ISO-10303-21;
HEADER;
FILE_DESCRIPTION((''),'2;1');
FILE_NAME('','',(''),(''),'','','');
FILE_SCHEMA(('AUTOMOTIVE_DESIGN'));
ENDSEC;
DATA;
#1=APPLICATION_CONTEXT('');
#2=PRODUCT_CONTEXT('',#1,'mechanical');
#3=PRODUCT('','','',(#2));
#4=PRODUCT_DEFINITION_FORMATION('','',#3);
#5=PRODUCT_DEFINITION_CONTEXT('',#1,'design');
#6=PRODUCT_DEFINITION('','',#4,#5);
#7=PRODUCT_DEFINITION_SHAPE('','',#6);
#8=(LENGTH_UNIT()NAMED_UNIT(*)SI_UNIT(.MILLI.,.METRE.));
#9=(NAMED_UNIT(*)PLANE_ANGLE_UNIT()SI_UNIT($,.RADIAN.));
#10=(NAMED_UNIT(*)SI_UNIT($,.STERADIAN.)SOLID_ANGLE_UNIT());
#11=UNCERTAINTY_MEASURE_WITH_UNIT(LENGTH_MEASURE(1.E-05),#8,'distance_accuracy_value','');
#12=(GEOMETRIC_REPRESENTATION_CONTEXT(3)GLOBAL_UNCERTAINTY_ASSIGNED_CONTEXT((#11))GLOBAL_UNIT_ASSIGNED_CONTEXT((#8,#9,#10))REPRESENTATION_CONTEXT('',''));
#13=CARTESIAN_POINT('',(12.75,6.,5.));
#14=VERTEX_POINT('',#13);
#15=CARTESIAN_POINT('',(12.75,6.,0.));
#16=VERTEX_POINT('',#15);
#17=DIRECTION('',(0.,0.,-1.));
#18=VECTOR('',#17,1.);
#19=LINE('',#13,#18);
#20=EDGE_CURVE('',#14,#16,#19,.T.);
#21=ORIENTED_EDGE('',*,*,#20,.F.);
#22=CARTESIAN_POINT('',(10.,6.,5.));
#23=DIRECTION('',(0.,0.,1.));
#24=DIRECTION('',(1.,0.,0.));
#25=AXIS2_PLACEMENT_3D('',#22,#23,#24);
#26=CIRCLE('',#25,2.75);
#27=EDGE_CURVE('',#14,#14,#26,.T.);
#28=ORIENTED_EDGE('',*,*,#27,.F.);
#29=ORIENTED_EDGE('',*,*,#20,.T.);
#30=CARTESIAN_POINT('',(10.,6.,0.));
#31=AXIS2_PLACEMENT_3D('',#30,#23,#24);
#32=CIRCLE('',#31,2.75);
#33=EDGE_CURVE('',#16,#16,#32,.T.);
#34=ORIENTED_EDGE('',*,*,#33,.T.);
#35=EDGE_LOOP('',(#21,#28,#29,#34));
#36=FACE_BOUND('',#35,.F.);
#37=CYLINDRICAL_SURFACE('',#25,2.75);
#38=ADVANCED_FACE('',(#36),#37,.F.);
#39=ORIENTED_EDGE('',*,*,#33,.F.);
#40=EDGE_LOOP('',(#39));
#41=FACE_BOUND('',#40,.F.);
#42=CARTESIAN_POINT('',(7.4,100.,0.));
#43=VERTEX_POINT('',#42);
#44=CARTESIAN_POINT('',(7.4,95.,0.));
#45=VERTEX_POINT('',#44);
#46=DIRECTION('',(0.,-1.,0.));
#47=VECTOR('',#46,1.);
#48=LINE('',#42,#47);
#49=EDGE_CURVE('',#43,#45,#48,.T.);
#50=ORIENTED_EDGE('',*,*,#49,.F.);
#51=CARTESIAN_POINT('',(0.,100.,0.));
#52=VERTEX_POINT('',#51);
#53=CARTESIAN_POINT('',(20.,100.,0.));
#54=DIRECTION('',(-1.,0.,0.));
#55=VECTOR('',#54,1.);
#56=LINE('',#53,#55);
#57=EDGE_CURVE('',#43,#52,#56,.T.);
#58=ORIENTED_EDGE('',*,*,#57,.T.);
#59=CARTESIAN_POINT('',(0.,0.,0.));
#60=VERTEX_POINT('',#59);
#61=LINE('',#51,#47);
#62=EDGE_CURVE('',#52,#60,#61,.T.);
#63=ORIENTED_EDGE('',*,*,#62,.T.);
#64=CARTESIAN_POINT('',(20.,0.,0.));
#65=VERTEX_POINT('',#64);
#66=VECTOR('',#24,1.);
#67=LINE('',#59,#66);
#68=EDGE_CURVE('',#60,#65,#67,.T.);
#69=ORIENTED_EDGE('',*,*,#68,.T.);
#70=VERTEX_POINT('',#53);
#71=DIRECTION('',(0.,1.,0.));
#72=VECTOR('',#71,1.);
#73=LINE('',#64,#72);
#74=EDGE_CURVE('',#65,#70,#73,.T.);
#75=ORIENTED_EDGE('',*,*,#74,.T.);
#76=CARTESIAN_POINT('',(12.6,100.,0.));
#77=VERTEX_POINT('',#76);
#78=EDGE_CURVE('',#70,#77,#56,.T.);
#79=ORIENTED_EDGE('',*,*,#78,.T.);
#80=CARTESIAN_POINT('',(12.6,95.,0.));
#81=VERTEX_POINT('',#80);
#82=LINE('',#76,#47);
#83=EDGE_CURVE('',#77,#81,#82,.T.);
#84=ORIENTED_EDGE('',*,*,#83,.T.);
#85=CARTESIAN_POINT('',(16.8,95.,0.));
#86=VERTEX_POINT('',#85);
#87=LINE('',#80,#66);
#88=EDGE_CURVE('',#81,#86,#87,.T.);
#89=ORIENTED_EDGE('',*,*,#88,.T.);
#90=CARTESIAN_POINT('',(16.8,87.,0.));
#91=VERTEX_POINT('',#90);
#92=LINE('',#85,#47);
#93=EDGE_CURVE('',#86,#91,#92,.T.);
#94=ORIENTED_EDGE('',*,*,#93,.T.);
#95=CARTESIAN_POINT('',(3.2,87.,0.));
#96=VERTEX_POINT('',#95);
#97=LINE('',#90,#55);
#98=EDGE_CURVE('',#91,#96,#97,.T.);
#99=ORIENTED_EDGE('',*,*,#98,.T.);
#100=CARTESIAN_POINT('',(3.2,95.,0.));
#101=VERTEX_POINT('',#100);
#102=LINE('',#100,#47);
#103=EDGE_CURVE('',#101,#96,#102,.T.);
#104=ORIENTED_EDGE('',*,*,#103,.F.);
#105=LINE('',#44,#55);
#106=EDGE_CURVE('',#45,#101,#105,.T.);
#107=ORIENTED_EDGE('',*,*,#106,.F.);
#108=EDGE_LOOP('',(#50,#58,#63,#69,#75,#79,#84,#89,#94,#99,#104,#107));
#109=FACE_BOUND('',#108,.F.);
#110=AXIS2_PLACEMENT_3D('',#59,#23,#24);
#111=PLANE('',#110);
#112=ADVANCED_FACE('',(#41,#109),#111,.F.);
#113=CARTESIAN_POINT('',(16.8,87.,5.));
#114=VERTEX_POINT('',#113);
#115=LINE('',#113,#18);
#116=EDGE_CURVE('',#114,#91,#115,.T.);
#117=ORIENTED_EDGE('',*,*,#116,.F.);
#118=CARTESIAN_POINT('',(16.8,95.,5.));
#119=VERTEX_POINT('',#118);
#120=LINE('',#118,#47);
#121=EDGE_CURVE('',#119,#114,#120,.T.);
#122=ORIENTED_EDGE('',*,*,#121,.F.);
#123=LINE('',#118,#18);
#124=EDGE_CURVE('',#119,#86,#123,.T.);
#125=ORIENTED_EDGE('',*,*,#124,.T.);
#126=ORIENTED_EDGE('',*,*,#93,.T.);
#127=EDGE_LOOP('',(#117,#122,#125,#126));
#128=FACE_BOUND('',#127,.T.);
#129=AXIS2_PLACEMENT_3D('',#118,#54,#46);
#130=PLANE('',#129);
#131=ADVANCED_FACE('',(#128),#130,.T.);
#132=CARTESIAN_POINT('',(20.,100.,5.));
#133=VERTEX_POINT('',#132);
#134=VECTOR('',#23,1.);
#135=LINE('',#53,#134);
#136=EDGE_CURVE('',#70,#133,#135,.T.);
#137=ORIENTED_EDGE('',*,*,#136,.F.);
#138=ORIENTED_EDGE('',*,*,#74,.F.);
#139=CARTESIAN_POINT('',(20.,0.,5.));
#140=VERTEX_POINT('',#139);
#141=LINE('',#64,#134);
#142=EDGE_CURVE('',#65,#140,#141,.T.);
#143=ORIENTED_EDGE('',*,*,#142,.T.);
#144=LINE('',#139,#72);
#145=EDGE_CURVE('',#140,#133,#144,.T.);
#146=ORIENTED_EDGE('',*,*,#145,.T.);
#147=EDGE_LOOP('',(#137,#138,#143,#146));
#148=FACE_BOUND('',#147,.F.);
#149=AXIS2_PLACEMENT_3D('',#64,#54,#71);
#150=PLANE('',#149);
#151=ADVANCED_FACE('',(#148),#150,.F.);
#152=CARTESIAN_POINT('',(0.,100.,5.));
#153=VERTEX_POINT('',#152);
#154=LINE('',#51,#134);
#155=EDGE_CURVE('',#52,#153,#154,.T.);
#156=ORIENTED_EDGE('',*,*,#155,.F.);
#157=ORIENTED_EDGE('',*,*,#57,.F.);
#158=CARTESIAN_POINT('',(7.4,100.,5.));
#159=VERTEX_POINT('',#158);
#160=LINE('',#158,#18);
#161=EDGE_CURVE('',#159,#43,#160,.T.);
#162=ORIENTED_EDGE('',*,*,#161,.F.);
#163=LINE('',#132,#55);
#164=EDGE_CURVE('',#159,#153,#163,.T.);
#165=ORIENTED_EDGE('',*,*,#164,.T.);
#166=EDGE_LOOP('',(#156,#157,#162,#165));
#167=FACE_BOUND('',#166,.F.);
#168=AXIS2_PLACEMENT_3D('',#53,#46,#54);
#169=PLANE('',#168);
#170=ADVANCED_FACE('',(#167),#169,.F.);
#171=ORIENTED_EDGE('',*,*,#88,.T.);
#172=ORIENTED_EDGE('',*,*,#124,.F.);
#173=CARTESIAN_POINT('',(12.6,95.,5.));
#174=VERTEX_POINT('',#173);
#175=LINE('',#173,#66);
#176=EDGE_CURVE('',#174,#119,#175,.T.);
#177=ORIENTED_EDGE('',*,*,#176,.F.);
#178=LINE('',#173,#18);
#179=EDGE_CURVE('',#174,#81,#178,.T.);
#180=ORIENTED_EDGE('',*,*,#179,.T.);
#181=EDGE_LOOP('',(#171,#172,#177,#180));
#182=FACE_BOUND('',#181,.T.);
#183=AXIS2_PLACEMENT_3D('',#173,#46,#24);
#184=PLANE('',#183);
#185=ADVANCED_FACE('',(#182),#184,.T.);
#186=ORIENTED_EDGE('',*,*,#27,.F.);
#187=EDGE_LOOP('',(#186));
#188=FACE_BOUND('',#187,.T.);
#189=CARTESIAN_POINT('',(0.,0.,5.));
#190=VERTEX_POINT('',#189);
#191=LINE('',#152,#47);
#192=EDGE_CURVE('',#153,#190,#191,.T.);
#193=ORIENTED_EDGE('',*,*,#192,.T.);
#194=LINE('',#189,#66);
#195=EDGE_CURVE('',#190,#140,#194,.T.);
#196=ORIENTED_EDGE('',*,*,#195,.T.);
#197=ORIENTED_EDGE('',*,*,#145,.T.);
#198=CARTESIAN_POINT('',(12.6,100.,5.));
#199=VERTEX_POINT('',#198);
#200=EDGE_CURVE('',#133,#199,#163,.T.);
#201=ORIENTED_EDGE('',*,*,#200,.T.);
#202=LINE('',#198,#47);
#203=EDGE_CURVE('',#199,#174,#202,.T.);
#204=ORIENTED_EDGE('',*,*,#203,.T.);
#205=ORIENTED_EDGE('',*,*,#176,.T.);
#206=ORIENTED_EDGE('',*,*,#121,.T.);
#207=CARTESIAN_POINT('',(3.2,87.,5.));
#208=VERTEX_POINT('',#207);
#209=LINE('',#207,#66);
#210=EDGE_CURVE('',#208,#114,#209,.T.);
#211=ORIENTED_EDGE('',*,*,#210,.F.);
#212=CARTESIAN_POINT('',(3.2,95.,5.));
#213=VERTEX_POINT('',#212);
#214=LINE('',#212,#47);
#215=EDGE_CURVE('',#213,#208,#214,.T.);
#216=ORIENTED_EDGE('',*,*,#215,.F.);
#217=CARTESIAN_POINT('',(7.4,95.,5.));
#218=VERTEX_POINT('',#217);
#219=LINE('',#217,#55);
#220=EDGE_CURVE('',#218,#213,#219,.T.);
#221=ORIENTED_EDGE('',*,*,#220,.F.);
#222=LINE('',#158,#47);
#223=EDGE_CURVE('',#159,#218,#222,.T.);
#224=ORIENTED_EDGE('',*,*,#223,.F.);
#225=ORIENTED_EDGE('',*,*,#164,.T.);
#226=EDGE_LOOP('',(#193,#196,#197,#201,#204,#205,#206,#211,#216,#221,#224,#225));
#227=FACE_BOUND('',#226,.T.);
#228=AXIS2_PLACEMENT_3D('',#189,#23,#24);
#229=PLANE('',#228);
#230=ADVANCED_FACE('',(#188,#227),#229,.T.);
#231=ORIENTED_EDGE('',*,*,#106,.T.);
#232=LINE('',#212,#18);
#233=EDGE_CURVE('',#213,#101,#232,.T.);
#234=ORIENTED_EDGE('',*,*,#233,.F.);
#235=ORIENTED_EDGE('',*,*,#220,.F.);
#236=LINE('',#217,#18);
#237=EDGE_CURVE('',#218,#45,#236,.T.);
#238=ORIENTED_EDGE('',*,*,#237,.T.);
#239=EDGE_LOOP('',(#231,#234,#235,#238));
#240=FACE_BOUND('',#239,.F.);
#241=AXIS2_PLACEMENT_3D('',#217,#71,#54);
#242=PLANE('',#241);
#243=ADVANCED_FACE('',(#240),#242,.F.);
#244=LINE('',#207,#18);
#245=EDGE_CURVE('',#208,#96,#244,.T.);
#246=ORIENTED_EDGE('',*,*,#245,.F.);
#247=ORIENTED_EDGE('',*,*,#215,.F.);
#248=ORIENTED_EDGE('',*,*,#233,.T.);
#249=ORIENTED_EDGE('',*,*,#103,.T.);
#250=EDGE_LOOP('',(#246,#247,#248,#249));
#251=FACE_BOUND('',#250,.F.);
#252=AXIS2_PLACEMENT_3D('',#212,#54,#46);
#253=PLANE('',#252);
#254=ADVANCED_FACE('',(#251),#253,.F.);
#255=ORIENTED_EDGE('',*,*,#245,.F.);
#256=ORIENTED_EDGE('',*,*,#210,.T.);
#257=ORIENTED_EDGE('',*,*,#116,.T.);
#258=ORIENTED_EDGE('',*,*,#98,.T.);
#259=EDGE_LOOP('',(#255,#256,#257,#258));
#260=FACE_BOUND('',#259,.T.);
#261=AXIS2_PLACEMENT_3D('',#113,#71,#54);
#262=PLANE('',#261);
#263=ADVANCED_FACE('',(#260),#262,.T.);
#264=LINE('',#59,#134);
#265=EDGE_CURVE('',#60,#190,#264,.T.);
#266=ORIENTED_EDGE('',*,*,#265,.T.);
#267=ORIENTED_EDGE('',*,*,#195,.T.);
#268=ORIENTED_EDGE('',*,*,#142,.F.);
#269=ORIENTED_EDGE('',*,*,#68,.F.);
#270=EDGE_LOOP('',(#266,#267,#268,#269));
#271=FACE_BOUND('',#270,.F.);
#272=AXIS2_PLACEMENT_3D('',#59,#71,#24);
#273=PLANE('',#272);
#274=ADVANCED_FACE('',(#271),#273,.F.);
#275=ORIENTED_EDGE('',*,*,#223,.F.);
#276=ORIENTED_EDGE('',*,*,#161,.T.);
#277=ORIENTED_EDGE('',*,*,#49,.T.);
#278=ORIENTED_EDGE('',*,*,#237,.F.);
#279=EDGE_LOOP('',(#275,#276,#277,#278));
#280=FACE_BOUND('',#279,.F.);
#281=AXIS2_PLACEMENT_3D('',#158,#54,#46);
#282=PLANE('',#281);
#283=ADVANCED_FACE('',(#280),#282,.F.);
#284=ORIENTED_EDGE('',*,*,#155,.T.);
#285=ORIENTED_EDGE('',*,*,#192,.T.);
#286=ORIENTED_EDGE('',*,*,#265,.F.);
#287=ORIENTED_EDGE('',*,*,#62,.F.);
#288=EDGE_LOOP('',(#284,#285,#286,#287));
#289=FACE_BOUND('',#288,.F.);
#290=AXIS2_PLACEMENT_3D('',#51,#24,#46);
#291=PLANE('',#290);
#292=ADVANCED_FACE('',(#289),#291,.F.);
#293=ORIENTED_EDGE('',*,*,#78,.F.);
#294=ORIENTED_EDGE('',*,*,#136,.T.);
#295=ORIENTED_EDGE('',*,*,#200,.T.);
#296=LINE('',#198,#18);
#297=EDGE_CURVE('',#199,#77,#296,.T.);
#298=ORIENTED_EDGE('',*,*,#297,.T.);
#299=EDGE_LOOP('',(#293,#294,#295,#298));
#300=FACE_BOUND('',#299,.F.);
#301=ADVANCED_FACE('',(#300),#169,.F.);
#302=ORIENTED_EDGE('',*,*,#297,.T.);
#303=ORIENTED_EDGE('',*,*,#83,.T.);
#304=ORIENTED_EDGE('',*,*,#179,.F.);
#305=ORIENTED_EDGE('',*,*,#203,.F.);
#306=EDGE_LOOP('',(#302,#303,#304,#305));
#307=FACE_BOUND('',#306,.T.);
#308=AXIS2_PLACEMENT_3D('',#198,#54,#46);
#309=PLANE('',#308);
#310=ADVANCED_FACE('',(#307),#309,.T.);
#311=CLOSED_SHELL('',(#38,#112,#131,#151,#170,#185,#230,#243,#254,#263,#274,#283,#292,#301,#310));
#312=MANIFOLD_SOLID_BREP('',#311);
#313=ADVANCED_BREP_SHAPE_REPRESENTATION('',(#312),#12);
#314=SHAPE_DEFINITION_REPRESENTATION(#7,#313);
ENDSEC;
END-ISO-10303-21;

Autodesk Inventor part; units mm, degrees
ref_plane "YZ Plane" through (0, 0, 0) normal (1, 0, 0) x (0, 1, 0)
ref_plane "XZ Plane" through (0, 0, 0) normal (0, 1, 0) x (-1, 0, 0)
ref_plane "XY Plane" through (0, 0, 0) normal (0, 0, 1) x (1, 0, 0)
sketch "Sketch1" plane through (0, 0, 0) normal (0, 0, 1) x (1, 0, 0)
  line L0 (0, 0) -> (20, 0)
  line L1 (20, 0) -> (20, 100)
  line L2 (20, 100) -> (0, 100)
  line L3 (0, 100) -> (0, 0)
  dimension "d0" = 20
  dimension "d1" = 100
extrude "Extrusion1" add sketch "Sketch1" along normal blind 5
sketch "Sketch2" plane through (0, 0, 5) normal (0, 0, 1) x (1, 0, 0)
  line L0 (20, 100) -> (0, 100) projected
  line L1 (7.4, 100) -> (7.4, 95)
  line L2 (7.4, 95) -> (3.2, 95)
  line L3 (3.2, 95) -> (3.2, 87)
  line L4 (3.2, 87) -> (10, 87)
  line L5 (10, 87) -> (10, 204.0933)
  line L6 (7.4, 100) -> (10, 100)
  line L7 (20, 0) -> (20, 100) projected
  line L8 (0, 100) -> (20, 100)
  line L9 (12.6, 100) -> (12.6, 95)
  line L10 (12.6, 95) -> (16.8, 95)
  line L11 (16.8, 95) -> (16.8, 87)
  line L12 (16.8, 87) -> (10, 87)
  line L13 (12.6, 100) -> (10, 100)
  circle A0 centre (10, 6) radius 2.75
  line L14 (0, 0) -> (20, 0) projected
  dimension "d4" = 2.6
  dimension "d5" = 8
  dimension "d6" = 5
  dimension "d7" = 10
  dimension "d8" = 4.2
  dimension "d11" = 5.5
  dimension "d12" = 10
  dimension "d13" = 6
extrude "Extrusion2" cut sketch "Sketch2" against normal blind 5
properties part number "Leg1" material "Wood (Birch)"
